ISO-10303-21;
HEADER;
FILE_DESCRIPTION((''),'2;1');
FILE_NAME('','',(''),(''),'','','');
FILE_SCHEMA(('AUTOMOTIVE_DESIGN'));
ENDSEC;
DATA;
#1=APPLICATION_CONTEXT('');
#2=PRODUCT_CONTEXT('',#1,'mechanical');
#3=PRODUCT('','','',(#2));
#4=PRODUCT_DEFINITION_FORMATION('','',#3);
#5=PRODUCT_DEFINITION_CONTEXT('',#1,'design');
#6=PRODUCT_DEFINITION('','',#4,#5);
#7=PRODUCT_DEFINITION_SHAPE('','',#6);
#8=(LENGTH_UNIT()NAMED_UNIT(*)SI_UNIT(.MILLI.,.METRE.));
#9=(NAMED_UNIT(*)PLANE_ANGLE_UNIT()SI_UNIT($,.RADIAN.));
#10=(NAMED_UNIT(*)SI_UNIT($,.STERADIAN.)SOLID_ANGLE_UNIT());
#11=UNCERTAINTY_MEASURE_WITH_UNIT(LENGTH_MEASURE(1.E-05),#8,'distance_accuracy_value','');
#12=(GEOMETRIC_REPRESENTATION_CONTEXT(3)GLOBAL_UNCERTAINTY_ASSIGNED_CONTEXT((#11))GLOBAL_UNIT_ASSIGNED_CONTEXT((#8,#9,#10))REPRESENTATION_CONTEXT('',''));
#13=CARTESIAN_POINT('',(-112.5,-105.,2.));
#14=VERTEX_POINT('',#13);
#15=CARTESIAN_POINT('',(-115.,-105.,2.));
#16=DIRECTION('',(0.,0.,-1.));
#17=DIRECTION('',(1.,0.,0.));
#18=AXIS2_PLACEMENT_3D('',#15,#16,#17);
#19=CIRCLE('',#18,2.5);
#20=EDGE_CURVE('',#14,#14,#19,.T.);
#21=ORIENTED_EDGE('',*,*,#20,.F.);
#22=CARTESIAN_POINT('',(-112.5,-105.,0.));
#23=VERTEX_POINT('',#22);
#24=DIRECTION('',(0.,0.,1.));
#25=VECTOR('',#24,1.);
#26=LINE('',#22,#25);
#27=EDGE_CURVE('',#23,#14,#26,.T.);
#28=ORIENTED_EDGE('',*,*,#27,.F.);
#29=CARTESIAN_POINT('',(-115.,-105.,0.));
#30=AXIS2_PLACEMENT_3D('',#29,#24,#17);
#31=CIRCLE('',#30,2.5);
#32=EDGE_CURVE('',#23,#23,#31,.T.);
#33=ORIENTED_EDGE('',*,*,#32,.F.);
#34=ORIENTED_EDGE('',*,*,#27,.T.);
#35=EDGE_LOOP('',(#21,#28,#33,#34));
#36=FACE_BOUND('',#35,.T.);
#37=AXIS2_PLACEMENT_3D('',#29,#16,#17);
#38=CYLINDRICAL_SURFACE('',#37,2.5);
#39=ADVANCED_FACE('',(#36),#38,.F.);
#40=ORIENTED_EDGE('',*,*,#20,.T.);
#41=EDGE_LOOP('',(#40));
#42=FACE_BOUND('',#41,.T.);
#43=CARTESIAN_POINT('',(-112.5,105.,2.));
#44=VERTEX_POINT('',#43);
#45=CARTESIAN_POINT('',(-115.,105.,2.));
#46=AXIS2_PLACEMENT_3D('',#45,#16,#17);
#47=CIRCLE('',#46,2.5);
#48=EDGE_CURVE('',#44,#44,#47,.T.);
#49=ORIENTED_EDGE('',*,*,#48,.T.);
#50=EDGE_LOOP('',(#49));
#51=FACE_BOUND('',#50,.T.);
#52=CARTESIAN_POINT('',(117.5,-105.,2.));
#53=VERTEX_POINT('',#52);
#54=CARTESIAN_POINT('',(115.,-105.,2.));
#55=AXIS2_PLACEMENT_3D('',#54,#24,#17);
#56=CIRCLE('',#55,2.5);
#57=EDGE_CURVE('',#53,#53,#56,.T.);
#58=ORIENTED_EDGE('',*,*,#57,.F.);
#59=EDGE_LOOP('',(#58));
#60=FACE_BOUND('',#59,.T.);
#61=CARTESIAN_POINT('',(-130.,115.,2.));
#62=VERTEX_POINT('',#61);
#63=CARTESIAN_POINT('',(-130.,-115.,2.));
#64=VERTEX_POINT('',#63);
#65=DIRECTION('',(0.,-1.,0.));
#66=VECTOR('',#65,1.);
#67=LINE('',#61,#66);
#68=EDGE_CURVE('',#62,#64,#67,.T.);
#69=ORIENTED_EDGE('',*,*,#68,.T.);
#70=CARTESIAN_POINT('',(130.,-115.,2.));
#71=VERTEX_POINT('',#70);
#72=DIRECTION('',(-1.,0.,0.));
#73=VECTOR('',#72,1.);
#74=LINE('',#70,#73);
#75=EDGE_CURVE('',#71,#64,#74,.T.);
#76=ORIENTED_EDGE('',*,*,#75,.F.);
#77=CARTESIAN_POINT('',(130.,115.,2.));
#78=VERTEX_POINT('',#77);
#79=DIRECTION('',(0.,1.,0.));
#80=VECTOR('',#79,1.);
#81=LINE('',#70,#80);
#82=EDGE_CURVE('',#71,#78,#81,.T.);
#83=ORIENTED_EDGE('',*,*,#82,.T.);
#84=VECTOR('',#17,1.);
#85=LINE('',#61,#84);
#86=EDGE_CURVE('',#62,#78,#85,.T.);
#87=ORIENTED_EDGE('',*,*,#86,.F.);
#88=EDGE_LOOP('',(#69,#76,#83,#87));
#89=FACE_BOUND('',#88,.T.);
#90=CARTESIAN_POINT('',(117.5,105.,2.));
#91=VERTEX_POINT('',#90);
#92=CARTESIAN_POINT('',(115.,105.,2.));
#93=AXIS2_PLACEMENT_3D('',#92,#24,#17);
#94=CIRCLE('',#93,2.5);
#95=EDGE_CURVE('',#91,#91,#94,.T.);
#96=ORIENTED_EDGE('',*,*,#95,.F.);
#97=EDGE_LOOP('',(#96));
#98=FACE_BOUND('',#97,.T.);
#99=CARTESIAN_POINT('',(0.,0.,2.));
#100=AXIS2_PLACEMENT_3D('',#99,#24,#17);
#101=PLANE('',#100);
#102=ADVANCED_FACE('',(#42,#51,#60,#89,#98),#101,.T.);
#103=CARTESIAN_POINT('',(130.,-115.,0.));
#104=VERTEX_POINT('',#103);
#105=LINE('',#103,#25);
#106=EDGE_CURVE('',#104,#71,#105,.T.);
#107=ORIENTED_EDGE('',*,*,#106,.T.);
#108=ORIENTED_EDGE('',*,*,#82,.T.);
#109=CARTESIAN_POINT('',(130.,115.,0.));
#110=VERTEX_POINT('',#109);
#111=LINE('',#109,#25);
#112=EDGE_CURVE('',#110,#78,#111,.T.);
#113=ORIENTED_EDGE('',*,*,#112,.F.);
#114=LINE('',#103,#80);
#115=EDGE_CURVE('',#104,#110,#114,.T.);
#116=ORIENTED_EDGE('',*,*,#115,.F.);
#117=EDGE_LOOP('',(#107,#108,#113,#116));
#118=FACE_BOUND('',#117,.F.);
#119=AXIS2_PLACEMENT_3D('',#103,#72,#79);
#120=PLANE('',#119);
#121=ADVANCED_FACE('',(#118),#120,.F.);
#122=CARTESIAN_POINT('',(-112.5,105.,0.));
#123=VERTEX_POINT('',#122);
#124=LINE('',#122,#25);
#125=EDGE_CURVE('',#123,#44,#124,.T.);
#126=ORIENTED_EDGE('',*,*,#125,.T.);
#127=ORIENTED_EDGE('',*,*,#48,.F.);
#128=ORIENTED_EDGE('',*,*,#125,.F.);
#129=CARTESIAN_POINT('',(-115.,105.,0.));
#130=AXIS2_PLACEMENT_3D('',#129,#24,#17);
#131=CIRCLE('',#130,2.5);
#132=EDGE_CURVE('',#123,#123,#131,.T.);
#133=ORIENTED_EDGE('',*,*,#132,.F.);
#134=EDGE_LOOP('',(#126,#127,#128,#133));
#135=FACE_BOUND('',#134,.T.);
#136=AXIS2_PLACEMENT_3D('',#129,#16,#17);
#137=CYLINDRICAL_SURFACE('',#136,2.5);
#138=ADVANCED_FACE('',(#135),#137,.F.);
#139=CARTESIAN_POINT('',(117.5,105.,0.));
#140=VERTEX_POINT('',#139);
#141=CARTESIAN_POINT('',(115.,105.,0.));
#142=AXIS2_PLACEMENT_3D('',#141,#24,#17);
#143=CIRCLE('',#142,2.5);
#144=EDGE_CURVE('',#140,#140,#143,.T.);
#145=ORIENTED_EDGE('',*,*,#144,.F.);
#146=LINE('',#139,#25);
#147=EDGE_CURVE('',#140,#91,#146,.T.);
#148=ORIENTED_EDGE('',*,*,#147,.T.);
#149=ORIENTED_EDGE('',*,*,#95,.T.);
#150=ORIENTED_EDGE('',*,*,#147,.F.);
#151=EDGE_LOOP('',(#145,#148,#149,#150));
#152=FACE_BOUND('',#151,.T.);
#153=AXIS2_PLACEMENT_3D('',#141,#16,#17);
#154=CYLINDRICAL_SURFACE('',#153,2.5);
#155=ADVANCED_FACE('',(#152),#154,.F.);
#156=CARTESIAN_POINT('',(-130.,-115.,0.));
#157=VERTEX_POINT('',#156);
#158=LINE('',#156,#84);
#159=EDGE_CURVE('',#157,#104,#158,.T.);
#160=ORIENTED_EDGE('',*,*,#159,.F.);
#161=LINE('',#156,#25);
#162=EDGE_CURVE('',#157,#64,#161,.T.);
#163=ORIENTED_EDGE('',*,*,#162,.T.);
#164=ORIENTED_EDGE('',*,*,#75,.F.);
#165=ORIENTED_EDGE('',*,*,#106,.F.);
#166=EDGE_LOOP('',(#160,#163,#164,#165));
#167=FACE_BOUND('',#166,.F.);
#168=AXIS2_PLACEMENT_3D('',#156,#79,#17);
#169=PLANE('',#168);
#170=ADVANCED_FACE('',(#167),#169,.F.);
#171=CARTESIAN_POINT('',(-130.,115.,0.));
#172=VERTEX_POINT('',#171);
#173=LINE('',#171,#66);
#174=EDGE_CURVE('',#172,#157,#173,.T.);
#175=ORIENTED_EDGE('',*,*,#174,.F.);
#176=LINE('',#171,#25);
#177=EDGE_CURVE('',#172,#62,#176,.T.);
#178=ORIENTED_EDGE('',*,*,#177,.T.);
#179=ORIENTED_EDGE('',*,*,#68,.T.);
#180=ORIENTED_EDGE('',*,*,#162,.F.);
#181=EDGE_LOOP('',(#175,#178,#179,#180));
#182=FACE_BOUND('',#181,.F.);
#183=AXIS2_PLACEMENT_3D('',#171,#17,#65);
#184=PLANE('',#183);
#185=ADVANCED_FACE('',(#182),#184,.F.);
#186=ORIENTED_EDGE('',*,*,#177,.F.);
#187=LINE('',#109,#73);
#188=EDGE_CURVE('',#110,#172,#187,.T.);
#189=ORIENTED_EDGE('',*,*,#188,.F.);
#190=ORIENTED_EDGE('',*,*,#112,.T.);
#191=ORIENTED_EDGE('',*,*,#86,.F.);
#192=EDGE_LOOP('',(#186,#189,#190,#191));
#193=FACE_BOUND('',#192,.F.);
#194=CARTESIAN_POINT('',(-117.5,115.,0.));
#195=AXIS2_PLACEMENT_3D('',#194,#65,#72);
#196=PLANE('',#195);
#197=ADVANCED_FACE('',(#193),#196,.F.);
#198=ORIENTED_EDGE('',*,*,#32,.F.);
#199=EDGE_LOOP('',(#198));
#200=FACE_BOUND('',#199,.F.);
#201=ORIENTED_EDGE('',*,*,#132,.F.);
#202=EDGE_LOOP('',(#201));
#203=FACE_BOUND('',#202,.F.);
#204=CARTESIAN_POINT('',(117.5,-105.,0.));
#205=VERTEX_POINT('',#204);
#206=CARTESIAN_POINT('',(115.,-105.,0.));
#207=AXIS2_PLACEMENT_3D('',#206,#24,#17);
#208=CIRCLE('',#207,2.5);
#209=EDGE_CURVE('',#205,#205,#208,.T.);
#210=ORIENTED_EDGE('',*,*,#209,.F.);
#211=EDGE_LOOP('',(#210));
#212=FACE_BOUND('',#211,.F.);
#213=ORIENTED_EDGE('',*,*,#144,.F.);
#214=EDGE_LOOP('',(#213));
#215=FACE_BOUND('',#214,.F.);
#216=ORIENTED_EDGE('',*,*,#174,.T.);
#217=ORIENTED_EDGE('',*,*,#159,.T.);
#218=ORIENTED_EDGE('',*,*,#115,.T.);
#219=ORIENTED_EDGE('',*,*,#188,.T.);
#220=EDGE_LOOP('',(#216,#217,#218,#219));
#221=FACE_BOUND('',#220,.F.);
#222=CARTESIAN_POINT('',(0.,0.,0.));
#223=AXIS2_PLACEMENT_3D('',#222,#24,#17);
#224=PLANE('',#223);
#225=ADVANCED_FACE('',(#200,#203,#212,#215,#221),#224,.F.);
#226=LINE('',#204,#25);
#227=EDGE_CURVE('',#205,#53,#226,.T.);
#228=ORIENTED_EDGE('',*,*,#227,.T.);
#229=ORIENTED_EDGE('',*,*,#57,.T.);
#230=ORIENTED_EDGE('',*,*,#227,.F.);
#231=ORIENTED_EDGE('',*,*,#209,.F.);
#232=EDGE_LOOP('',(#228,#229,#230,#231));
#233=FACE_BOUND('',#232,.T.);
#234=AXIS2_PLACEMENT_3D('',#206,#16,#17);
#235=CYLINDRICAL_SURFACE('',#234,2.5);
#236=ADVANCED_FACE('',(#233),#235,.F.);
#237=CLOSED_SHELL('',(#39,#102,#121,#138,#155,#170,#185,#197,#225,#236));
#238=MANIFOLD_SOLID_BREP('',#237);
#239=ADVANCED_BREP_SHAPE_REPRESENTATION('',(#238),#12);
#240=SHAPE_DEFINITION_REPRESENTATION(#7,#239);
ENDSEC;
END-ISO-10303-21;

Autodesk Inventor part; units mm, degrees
ref_plane "YZ Plane" through (0, 0, 0) normal (1, 0, 0) x (0, 1, 0)
ref_plane "XZ Plane" through (0, 0, 0) normal (0, 1, 0) x (-1, 0, 0)
ref_plane "XY Plane" through (0, 0, 0) normal (0, 0, 1) x (1, 0, 0)
sketch "Esquisse1" plane through (0, 0, 0) normal (0, 0, 1) x (1, 0, 0)
  line L0 (-130, -115) -> (130, -115)
  line L1 (130, -115) -> (130, 115)
  line L2 (130, 115) -> (-130, 115)
  line L3 (-130, 115) -> (-130, -115)
  line L4 (-130, -115) -> (130, 115) construction
  line L5 (130, -115) -> (-130, 115) construction
  line L6 (-117.5, -115) -> (117.5, -115)
  line L7 (117.5, -115) -> (117.5, 115)
  line L8 (117.5, 115) -> (-117.5, 115)
  line L9 (-117.5, 115) -> (-117.5, -115)
  line L10 (-117.5, -115) -> (117.5, 115) construction
  line L11 (117.5, -115) -> (-117.5, 115) construction
  circle A0 centre (-115, 105) radius 2.5
  circle A1 centre (-115, -105) radius 2.5
  circle A2 centre (115, -105) radius 2.5
  circle A3 centre (115, 105) radius 2.5
  point P0 (0, 0)
  dimension "d0" = 260
  dimension "d1" = 230
  dimension "d2" = 12.5
  dimension "d3" = 5
  dimension "d4" = 5
  dimension "d5" = 5
  dimension "d6" = 5
  dimension "d7" = 10
  dimension "d8" = 10
  dimension "d9" = 10
  dimension "d10" = 10
extrude "Extrusion1" add sketch "Esquisse1" along normal blind 2
properties part number "PlaqueBasPorte"
